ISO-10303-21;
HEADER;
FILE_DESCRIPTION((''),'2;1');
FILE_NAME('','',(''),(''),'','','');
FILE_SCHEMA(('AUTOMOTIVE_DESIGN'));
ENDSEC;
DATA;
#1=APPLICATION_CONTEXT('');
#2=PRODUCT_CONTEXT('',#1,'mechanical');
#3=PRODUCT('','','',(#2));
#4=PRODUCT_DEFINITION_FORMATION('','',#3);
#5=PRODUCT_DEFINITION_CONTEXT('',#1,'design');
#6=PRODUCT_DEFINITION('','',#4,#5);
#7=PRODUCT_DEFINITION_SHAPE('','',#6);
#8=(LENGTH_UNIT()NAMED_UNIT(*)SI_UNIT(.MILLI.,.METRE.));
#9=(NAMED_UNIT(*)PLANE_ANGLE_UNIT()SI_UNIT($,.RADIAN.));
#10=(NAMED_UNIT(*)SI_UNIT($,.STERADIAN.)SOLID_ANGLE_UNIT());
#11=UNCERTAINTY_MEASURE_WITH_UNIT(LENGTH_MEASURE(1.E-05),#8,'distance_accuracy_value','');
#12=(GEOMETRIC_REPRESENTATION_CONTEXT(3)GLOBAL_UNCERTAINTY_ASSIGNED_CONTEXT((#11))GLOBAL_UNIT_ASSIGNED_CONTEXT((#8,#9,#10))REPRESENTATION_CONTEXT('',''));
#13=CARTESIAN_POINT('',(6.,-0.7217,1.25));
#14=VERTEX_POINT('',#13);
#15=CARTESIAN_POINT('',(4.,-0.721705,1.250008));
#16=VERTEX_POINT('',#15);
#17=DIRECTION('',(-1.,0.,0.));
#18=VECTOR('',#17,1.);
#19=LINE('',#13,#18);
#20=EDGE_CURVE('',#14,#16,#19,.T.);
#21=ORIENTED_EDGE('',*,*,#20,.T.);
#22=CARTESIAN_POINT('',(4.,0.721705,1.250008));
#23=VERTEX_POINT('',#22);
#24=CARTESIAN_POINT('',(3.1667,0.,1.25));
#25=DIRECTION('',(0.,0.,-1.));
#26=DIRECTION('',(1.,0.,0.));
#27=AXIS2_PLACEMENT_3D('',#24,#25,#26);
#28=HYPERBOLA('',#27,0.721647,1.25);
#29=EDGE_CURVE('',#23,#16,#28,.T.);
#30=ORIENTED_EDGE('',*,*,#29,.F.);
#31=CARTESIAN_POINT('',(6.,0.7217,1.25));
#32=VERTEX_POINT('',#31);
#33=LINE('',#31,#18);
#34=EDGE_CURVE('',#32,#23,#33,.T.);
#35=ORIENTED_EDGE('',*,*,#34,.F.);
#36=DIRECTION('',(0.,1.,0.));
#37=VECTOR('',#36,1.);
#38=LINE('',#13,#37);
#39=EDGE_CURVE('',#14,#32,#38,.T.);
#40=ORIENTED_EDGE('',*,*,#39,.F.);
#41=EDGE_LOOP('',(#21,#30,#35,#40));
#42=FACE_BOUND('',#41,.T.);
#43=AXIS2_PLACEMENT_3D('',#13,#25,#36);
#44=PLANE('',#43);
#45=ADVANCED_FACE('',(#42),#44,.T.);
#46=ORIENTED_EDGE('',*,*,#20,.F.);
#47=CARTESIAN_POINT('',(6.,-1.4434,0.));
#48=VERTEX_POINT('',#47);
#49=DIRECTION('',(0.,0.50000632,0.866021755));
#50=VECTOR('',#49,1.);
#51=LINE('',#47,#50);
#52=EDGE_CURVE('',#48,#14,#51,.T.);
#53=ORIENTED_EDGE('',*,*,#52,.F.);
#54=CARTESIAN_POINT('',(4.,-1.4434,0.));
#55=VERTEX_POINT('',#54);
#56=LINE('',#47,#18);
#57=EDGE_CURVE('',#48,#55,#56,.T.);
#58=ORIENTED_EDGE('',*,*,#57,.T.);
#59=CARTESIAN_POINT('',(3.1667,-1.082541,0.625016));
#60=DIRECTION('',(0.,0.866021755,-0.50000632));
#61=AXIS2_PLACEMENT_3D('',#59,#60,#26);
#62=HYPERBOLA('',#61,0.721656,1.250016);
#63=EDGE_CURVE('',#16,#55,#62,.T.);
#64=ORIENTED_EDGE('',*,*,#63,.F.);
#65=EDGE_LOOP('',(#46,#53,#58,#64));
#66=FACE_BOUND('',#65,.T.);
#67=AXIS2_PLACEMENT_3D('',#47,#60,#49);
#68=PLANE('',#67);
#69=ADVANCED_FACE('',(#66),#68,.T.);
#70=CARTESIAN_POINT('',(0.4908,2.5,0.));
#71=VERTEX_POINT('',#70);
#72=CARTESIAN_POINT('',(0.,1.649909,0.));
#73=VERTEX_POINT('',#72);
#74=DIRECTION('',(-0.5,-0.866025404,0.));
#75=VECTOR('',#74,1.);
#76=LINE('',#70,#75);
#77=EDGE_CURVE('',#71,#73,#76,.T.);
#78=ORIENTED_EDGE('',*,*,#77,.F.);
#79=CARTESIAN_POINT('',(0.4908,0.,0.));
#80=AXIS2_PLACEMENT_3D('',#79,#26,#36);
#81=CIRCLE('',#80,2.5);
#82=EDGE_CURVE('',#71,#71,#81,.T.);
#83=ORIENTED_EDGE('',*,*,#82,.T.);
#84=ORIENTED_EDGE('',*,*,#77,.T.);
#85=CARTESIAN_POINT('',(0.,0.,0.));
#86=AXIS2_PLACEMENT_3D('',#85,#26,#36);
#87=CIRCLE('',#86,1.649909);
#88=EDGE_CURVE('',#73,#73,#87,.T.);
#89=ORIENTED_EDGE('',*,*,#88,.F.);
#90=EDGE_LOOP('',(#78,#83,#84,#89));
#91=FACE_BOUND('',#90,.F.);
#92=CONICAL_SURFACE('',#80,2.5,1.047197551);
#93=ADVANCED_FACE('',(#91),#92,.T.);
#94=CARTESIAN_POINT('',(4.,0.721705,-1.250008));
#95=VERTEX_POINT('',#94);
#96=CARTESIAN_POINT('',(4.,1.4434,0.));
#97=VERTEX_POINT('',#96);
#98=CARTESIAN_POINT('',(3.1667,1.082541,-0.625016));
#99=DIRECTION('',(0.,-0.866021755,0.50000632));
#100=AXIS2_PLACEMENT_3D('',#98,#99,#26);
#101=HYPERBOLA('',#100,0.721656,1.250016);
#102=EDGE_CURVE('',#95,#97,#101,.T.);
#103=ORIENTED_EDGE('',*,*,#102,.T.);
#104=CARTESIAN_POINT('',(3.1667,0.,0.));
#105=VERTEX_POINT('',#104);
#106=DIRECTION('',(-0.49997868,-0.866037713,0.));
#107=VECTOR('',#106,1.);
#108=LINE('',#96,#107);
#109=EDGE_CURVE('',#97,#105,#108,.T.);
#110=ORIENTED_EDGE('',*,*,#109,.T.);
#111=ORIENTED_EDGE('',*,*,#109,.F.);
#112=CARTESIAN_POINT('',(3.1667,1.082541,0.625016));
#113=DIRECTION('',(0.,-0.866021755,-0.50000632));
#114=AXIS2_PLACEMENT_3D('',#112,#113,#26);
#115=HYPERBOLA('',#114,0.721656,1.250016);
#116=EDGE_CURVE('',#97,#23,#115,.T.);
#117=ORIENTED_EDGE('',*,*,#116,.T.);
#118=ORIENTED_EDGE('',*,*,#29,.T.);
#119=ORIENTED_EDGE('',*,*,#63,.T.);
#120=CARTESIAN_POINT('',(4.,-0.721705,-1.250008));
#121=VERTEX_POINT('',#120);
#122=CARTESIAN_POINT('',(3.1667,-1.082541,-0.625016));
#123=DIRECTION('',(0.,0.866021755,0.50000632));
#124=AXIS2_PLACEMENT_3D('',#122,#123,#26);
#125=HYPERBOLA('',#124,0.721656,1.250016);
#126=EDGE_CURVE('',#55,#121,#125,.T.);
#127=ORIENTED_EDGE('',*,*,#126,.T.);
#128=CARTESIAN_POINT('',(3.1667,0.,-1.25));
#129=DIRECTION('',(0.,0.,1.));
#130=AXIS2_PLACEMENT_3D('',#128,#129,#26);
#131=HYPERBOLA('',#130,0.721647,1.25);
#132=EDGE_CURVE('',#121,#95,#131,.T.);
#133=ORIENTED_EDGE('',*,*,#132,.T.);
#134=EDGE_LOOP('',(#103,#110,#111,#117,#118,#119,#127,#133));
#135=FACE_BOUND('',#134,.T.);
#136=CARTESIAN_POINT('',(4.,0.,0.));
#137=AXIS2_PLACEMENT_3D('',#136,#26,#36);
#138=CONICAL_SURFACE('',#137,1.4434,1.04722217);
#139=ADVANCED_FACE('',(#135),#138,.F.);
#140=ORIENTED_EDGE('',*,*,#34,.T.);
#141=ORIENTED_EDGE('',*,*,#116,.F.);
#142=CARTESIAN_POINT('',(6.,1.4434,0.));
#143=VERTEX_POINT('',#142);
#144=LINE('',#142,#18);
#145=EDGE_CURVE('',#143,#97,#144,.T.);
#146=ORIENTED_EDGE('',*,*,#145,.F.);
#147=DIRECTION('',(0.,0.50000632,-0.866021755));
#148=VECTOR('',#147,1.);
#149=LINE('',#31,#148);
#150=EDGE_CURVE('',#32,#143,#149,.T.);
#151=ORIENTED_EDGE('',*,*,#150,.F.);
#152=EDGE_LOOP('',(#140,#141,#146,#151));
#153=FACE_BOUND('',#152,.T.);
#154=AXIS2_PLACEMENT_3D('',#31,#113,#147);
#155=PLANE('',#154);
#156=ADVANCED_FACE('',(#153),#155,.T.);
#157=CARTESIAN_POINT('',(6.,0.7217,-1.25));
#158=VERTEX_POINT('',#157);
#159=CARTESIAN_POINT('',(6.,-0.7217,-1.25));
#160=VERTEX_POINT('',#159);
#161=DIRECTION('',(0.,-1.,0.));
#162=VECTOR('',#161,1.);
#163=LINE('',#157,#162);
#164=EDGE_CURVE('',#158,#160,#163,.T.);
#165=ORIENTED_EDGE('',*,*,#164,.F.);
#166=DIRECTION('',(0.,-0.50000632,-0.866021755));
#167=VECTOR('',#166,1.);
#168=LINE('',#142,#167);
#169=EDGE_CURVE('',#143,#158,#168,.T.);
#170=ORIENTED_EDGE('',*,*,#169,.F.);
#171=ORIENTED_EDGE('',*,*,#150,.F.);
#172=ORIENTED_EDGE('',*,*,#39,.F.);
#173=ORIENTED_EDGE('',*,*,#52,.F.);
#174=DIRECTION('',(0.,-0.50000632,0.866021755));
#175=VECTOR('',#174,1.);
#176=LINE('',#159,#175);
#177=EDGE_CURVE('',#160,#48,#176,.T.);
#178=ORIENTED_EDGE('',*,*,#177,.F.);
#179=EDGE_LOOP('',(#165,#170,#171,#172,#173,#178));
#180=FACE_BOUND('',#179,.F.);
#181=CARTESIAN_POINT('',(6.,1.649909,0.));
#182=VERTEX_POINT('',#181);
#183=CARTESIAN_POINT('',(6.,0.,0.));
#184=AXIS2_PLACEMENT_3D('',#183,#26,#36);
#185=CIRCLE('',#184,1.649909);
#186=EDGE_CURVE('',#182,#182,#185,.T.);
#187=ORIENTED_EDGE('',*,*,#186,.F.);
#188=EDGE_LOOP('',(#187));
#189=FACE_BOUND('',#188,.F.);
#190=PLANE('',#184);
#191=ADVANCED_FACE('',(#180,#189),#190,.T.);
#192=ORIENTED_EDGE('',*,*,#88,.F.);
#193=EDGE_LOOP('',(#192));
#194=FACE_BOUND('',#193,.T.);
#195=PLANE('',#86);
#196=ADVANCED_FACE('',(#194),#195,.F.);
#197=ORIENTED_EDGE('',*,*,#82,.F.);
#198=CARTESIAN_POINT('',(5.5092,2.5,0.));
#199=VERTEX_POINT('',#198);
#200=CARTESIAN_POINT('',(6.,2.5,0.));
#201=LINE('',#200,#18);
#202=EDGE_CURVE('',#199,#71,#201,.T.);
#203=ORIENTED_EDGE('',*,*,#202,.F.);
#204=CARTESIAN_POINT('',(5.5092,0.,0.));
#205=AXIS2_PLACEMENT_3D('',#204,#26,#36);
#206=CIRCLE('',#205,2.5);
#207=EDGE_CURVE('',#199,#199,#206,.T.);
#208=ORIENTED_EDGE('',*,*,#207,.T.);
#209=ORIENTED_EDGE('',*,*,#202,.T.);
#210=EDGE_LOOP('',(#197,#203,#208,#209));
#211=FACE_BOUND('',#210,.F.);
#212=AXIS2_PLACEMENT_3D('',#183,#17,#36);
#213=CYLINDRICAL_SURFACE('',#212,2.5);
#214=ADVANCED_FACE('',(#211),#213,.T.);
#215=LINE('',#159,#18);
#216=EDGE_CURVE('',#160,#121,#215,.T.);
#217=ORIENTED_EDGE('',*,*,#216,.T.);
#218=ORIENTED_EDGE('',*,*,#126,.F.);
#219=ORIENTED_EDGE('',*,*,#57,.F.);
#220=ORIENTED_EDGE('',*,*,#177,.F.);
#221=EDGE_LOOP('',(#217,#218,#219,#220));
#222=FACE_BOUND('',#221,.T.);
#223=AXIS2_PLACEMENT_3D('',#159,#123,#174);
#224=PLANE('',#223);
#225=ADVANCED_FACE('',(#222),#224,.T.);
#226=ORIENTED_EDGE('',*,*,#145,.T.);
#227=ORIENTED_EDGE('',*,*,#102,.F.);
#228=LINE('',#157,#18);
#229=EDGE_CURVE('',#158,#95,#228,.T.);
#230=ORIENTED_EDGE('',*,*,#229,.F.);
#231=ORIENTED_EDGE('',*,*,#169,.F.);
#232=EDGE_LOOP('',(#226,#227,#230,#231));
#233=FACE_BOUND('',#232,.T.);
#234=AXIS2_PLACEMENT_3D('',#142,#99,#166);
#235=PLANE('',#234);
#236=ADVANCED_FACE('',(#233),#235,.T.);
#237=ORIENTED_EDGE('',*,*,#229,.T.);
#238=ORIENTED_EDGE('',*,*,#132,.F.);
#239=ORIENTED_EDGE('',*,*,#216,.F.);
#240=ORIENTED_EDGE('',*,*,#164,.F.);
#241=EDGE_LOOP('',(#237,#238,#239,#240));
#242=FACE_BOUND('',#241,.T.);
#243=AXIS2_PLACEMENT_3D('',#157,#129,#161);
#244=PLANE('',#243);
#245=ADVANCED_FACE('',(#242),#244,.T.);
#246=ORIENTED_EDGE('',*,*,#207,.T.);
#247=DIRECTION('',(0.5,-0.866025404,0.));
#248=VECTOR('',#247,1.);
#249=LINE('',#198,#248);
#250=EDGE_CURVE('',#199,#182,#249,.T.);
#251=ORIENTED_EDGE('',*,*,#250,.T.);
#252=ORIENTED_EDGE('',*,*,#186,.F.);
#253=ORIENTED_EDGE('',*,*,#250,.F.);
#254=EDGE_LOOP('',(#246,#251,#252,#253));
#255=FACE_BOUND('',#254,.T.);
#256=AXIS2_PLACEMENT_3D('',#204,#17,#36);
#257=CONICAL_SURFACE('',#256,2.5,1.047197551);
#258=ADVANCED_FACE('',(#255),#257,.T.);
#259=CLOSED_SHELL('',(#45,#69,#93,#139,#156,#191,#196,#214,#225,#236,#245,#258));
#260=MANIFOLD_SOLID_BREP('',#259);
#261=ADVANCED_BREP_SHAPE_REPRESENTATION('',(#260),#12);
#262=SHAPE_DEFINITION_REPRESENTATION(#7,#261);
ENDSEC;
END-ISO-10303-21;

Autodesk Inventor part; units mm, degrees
ref_plane "YZ Plane" through (0, 0, 0) normal (1, 0, 0) x (0, 1, 0)
ref_plane "XZ Plane" through (0, 0, 0) normal (0, 1, 0) x (-1, 0, 0)
sketch "Sketch1" plane through (0, 0, 0) normal (0, 0, 1) x (1, 0, 0)
  line L0 (0, 0) -> (3.1667, 0)
  line L1 (6, 1.4434) -> (6, 2.5)
  line L2 (6, 2.5) -> (0, 2.5)
  line L3 (6, 1.4434) -> (4, 1.4434)
  line L4 (4, 1.4434) -> (3.1667, 0)
  line L5 (0, -0.5) -> (0, 3) projected
  line L6 (0, 2.5) -> (0, 0)
  dimension "d0" = 2
  dimension "d1" = 60
  dimension "d2" = 5
  dimension "d3" = 2.8868
  dimension "d5" = 6
revolve "Body" add sketch "Sketch1" angle 360 about axis through (0, 0, 0) along (1, 0, 0)
sketch "Sketch2" plane through (6, 0, 0) normal (1, 0, 0) x (0, 1, 0)
  circle A0 centre (0, 0) radius 1.4434 projected
  line L0 (-0.7217, 1.25) -> (0.7217, 1.25)
  line L1 (0.7217, 1.25) -> (1.4434, 0)
  line L2 (1.4434, 0) -> (0.7217, -1.25)
  line L3 (0.7217, -1.25) -> (-0.7217, -1.25)
  line L4 (-0.7217, -1.25) -> (-1.4434, 0)
  line L5 (-1.4434, 0) -> (-0.7217, 1.25)
  point P0 (0, 0)
  point P1 (0, 0)
extrude "Slot" add sketch "Sketch2" against normal up to next contours L1 A0 | A0 L2 | L0 A0 | A0 L3 | L5 A0 | A0 L4
thread "Thread" size "M5x0.8" class "6g" standard "ISO Metric profile" length 6
chamfer "Chamfer1" distance 0.4908 angle 60 1 edges at (6, -2.5, 0) measured on face at (4, 2.4919, -0.2012)
chamfer "Chamfer2" distance 0.4908 angle 60 1 edges at (0, -2.5, 0) measured on face at (1.8364, 2.4919, -0.2012)
ref_plane "Work Plane1" through (3, 0, 0) normal (0, 0, 1) x (1, 0, 0)
equation "\"d8\" = NLG"
equation "\"d10\" = -0.5 * GD1 + 0.5 * NND"
equation "\"d11\" = FAWI"
equation "\"d34\" = -0.5 * GD1 + 0.5 * NND"
equation "\"d12\" = -0.5 * GD1 + 0.5 * NND"
equation "\"d13\" = FAWI"
equation "\"d35\" = -0.5 * GD1 + 0.5 * NND"
equation "\"d0\" = INTI"
equation "\"d2\" = NND"
equation "\"d3\" = 1.1547 * SW"
equation "\"d5\" = NLG"
equation "\"NND\" = 5"
equation "\"NLG\" = 6"
equation "\"INTI\" = 2"
equation "\"FAWI\" = 60deg"
equation "\"SW\" = 2.5"
equation "\"GD1\" = THREADDIA - 1.2269 * PTC"
equation "\"SPD\" = 3.5"
equation "\"GUL\" = 0.61345 * PTC"
equation "\"TOA\" = 30deg"
equation "\"THREADDIA\" = 5"
equation "\"PTC\" = 0.8"
equation "\"FAWI1\" = 45deg"
equation "\"GAL\" = 0.61345 * PTC"
equation "\"E0\" = 1.155 * SW"
properties part number "DIN 913 - M5 x 6" material "Steel, Mild"
